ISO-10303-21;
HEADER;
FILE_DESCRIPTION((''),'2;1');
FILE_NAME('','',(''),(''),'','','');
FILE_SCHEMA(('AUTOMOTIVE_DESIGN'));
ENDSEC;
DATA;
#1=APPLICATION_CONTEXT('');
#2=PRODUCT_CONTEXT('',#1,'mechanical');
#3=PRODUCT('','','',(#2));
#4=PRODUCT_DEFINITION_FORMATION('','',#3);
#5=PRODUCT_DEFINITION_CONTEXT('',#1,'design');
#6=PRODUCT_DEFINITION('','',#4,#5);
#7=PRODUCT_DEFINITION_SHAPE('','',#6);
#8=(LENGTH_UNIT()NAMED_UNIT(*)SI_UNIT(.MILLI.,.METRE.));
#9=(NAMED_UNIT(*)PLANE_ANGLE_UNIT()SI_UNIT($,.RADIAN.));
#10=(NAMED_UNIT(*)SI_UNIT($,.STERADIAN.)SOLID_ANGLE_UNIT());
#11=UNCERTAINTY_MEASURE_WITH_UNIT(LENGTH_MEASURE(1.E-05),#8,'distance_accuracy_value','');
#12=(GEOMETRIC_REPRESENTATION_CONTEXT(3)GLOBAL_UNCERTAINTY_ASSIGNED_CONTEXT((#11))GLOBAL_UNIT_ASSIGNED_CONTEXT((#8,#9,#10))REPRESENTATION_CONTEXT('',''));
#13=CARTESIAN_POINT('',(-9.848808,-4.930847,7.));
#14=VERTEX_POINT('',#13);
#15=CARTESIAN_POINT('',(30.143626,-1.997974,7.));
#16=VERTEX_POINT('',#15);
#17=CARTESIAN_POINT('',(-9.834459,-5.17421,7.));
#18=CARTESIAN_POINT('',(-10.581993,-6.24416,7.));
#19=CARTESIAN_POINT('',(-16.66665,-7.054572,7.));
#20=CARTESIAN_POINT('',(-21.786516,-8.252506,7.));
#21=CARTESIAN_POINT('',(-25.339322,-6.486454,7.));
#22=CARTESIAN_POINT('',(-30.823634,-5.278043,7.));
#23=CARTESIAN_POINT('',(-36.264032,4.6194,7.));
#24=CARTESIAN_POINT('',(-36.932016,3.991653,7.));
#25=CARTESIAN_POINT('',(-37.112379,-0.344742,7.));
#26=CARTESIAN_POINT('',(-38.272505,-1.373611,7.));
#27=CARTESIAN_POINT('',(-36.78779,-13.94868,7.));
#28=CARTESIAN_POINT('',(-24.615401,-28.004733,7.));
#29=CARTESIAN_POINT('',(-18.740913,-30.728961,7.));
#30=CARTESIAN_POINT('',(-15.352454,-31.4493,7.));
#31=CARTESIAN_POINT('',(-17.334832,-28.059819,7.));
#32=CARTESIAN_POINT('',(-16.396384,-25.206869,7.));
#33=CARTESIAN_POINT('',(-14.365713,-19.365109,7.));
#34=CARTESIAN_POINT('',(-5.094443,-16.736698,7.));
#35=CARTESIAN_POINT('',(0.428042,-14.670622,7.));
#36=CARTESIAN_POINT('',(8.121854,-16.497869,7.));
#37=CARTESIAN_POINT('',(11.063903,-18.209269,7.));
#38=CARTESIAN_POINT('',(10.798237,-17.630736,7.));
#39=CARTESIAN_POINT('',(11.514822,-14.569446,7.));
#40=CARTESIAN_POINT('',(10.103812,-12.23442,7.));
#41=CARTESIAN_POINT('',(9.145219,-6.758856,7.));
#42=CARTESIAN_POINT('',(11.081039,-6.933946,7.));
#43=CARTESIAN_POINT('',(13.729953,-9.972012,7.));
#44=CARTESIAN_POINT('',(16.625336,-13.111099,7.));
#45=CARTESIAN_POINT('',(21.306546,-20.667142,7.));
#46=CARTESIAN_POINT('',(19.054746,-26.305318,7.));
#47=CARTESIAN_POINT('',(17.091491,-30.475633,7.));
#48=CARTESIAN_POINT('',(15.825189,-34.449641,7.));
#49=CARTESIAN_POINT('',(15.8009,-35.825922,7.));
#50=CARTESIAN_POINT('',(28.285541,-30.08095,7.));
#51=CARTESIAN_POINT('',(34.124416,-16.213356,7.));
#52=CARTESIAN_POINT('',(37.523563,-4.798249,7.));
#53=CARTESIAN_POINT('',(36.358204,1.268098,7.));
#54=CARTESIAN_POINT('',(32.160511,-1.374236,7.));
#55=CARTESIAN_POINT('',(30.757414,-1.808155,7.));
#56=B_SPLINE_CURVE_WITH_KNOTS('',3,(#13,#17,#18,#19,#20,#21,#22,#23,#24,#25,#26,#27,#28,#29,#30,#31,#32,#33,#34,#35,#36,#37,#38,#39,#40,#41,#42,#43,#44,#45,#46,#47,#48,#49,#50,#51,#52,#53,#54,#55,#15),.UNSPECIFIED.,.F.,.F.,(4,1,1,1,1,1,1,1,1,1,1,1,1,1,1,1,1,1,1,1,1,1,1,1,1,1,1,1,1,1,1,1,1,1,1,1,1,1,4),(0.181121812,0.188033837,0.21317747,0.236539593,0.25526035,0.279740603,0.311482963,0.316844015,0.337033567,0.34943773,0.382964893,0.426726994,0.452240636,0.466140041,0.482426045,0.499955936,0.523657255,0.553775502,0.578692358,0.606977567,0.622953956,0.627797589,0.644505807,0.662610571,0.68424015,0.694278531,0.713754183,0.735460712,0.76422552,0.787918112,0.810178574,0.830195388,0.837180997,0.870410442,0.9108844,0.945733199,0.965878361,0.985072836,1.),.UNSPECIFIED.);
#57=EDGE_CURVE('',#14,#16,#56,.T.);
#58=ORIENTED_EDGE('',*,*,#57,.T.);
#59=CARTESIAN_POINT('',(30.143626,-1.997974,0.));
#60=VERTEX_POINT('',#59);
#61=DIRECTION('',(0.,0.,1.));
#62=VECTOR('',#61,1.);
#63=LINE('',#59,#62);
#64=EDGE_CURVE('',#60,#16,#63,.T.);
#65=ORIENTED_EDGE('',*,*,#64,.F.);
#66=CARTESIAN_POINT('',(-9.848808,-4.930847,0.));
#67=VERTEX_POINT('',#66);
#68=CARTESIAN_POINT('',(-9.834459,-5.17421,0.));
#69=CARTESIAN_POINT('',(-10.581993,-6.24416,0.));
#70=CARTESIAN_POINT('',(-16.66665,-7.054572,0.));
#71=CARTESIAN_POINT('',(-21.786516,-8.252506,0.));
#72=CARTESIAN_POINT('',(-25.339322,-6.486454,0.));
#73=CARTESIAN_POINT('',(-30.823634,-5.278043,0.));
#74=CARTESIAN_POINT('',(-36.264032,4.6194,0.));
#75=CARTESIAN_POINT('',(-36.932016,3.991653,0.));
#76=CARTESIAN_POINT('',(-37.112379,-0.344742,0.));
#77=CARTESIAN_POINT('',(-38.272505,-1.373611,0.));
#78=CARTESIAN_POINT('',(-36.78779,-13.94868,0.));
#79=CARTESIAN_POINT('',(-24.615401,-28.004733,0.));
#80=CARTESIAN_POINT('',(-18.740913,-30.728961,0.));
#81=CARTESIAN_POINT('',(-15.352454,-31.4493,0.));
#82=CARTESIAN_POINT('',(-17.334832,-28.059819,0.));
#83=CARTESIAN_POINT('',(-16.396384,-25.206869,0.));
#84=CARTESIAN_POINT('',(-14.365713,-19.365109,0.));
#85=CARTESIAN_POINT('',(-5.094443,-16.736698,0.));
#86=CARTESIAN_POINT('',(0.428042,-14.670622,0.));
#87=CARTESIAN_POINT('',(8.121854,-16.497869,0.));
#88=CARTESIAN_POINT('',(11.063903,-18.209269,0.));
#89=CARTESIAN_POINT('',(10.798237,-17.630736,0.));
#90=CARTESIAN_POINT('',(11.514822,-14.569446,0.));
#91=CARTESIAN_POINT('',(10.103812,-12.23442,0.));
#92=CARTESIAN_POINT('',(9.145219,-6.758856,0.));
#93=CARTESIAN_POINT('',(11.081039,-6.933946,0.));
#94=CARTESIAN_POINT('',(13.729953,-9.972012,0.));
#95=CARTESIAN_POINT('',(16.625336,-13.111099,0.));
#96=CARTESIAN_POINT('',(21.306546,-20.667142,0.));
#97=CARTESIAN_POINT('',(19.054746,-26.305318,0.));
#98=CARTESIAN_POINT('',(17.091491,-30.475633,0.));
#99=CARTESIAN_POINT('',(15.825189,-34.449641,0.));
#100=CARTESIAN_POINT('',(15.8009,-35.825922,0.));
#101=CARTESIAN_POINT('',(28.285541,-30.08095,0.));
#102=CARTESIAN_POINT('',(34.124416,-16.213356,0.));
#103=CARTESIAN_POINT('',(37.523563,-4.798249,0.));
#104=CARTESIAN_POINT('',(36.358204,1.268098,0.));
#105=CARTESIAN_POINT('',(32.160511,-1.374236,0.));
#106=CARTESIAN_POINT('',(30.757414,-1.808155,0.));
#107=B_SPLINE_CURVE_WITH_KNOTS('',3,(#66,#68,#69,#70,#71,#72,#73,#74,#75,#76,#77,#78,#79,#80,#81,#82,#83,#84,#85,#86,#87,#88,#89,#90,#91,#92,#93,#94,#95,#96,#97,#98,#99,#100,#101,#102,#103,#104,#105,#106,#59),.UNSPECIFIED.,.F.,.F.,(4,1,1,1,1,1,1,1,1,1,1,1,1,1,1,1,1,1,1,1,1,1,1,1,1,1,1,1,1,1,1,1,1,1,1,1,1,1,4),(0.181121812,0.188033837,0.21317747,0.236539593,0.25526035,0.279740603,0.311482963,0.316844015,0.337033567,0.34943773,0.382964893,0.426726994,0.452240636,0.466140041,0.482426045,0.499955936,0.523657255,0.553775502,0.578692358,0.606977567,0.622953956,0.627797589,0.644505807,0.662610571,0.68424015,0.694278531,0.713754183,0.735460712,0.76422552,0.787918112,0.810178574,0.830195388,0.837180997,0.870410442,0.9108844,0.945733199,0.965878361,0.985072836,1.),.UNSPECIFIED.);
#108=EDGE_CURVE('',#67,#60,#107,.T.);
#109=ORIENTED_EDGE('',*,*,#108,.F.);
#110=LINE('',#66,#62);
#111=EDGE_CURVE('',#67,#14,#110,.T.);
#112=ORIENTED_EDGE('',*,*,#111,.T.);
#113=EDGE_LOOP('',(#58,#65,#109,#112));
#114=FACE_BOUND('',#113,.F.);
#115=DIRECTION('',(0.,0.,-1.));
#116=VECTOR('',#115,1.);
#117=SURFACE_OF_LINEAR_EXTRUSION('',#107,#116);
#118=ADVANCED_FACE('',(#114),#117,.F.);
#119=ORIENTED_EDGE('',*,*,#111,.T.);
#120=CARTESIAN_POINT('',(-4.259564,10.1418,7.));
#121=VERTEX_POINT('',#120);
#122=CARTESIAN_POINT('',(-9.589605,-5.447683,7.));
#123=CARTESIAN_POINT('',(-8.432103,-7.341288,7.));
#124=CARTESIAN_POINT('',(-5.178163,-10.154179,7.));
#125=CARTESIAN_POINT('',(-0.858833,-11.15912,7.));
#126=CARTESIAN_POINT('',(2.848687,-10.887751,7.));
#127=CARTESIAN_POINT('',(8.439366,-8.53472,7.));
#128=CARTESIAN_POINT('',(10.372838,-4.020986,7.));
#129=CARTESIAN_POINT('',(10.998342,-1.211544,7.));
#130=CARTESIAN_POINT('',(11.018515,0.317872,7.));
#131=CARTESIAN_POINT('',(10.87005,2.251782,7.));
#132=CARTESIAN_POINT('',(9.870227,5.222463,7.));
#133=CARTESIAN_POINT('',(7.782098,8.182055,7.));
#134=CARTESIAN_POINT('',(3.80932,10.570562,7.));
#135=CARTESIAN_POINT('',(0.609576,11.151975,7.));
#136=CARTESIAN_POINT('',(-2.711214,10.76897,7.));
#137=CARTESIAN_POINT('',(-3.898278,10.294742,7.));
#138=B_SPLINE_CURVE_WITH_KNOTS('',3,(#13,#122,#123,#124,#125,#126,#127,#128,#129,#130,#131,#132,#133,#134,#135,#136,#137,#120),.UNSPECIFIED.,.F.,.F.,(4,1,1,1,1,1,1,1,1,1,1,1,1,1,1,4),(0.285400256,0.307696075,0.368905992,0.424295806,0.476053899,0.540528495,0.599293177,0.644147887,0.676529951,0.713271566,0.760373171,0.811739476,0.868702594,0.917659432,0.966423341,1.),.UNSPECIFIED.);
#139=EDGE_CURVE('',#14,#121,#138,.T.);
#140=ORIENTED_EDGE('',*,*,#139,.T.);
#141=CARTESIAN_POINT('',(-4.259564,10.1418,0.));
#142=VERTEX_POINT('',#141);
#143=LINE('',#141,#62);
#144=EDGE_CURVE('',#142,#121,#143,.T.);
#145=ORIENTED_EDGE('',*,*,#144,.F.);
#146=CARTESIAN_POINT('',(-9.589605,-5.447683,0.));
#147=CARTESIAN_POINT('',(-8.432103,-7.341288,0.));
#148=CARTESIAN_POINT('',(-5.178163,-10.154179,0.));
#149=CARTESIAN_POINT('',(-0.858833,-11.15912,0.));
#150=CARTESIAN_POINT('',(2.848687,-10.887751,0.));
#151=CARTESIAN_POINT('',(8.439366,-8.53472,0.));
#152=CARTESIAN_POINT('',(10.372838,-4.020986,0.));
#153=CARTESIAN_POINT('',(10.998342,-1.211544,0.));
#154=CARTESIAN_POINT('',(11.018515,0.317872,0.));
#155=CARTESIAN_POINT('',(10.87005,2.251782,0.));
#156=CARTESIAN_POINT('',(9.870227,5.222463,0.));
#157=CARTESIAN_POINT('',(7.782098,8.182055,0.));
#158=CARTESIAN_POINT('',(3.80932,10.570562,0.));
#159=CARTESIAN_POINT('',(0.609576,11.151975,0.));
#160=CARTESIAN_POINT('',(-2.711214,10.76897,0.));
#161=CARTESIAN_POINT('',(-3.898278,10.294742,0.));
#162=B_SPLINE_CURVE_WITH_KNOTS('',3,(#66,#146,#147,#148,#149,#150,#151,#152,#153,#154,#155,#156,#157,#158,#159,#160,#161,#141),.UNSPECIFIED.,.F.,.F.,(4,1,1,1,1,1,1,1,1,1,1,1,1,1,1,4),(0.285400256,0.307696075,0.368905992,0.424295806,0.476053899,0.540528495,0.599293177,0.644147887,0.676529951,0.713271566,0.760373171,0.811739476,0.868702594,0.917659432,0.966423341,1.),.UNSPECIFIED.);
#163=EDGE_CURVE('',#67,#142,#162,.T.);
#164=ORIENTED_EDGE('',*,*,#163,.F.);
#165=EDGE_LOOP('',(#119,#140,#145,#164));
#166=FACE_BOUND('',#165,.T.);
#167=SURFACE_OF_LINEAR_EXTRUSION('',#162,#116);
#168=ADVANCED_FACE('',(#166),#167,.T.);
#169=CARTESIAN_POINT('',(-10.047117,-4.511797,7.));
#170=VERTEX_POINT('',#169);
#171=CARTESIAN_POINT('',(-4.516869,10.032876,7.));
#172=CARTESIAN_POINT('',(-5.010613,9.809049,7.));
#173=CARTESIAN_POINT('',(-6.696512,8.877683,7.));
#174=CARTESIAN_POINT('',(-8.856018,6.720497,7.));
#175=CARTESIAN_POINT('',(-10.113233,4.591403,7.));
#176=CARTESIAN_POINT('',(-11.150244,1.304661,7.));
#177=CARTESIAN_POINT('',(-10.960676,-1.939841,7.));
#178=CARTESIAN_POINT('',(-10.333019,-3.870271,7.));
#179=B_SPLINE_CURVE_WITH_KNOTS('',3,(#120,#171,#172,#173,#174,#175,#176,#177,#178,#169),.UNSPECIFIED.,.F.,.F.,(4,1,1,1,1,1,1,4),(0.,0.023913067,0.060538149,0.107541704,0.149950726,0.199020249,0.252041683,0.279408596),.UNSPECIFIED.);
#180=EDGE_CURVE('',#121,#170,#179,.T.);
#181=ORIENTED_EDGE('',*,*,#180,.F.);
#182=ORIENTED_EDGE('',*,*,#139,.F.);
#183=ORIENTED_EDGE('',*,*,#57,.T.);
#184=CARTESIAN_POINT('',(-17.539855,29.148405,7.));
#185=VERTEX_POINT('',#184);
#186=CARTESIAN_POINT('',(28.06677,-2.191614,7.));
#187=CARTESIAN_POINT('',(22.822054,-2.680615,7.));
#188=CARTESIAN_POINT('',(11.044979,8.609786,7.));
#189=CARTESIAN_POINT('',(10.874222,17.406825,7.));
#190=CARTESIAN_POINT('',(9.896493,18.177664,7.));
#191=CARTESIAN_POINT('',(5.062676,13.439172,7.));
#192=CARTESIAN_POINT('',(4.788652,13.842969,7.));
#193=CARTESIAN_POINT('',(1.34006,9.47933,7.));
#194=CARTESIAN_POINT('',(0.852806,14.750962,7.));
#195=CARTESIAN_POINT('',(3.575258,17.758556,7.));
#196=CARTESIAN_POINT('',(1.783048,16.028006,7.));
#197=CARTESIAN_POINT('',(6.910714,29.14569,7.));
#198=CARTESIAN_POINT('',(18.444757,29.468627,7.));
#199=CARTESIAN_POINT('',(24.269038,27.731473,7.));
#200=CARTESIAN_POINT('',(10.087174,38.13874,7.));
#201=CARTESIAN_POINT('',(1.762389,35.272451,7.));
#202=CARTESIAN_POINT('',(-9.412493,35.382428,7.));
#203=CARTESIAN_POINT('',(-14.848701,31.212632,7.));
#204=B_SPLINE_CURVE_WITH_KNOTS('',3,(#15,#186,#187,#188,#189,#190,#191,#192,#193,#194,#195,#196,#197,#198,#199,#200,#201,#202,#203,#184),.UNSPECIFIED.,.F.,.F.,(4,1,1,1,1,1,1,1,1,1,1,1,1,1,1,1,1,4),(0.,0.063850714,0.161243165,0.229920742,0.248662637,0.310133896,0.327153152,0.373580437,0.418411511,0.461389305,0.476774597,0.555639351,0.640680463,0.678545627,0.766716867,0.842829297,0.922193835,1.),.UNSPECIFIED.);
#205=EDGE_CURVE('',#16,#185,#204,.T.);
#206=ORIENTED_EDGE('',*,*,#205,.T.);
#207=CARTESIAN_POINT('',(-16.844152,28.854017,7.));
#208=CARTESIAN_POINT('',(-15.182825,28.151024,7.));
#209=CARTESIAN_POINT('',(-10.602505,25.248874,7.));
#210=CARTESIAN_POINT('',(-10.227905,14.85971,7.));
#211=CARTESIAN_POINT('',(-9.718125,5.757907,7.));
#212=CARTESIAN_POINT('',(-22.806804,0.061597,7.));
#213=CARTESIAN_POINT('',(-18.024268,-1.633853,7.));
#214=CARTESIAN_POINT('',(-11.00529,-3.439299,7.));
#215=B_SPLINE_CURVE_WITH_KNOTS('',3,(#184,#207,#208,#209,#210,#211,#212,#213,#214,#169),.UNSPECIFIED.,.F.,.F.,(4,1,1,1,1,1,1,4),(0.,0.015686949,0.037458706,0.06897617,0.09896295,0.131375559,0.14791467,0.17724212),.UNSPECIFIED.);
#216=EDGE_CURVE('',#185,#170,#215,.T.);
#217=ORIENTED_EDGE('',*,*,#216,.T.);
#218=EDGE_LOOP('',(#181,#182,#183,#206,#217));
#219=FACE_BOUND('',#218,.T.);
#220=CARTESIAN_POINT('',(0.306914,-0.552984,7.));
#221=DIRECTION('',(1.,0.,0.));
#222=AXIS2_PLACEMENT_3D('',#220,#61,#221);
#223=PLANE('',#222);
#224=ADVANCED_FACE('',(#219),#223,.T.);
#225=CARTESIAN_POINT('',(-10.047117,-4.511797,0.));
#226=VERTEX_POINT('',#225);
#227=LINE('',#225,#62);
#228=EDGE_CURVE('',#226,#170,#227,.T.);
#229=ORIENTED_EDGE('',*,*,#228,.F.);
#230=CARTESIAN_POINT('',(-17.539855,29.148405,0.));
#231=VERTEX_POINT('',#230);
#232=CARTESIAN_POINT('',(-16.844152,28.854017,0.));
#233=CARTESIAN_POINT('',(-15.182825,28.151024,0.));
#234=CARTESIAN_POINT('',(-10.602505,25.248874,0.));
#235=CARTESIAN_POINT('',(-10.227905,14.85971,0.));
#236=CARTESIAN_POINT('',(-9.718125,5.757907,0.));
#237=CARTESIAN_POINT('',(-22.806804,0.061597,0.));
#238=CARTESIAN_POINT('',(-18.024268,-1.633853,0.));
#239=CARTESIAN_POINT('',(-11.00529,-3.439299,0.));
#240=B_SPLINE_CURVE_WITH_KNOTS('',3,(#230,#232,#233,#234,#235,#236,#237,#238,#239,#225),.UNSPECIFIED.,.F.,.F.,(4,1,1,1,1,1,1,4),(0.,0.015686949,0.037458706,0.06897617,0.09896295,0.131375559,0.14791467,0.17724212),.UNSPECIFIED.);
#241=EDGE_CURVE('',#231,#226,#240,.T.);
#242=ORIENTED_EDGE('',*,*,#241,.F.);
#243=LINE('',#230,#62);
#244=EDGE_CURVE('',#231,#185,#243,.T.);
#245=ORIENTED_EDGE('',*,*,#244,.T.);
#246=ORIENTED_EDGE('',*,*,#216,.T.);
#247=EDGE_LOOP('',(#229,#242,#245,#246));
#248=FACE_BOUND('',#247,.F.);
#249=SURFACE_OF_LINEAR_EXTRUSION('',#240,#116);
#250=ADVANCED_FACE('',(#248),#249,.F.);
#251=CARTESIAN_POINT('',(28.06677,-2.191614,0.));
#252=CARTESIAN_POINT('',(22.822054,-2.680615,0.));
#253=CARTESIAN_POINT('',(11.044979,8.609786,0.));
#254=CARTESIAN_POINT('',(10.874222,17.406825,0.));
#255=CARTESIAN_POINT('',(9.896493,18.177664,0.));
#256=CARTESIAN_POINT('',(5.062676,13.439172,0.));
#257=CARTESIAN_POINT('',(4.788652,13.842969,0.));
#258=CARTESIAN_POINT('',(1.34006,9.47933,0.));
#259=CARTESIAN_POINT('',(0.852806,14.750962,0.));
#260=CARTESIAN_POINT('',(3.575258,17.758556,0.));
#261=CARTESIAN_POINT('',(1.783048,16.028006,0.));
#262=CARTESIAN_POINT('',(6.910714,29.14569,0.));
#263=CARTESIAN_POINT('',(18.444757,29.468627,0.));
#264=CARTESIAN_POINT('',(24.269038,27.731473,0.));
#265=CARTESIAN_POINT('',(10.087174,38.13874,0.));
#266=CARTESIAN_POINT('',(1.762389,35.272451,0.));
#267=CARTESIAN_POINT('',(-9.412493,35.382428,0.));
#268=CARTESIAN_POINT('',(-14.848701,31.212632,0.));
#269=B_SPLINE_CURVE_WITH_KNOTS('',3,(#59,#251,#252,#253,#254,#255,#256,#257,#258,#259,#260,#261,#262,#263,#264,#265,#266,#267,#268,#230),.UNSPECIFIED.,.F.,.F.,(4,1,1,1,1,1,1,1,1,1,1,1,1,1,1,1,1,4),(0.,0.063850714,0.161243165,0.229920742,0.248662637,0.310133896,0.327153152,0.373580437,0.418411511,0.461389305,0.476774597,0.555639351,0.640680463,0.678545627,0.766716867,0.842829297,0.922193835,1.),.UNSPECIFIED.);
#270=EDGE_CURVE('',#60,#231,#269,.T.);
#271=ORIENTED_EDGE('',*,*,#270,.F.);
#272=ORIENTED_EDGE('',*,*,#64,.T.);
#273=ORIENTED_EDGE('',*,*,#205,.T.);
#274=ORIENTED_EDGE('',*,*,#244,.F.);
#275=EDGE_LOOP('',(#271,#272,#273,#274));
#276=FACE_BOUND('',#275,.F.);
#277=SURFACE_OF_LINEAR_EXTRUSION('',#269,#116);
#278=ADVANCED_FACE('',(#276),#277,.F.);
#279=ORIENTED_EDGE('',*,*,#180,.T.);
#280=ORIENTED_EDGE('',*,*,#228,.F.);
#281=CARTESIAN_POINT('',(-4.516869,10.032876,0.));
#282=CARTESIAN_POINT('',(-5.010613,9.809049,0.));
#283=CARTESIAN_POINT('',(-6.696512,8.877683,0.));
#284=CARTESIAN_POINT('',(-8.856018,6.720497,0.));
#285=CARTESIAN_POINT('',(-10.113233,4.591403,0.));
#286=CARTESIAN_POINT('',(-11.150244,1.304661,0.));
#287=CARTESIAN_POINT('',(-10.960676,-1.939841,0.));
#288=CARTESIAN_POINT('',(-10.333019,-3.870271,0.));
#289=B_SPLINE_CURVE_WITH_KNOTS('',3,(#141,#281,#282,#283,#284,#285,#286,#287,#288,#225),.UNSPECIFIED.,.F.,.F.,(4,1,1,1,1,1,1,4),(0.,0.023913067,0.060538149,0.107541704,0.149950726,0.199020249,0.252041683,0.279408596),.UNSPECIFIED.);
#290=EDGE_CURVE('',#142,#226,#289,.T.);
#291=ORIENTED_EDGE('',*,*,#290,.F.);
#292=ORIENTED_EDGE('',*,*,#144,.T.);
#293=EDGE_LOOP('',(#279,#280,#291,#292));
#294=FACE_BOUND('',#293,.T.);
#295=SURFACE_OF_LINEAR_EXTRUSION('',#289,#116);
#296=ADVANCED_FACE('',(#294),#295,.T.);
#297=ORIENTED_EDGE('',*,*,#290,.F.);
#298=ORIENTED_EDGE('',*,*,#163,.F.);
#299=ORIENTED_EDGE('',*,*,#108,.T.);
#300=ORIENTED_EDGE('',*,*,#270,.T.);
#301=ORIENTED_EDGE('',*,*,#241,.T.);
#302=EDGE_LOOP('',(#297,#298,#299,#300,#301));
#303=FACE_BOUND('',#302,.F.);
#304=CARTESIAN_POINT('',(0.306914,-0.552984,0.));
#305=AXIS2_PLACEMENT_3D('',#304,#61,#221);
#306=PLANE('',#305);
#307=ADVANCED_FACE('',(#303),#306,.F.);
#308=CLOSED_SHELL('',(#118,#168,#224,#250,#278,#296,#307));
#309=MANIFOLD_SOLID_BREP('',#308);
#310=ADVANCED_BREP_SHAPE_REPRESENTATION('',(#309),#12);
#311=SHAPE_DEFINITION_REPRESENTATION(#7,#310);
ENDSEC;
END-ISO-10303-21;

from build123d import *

# Parameters (mm, degrees)
F1_DEPTH = 7


with BuildPart() as f1:
    # F0 (on Top) → F1 (new body)
    with BuildSketch(Plane.XY):
        with BuildLine():
            add(Edge.make_bspline(
                [(30.1436260343, -1.9979744684), (28.0667697769, -2.191613933), (22.8220535576, -2.6806145737), (11.0449788488, 8.609786166), (10.8742217324, 17.4068247294), (9.8964928061, 18.1776643585), (5.0626755886, 13.4391724308), (4.7886523315, 13.8429691805), (1.3400601593, 9.4793296064), (0.8528062891, 14.7509618773), (3.5752579887, 17.7585561992), (1.7830482908, 16.0280061471), (6.9107141222, 29.1456903116), (18.4447573551, 29.4686274141), (24.2690384891, 27.7314734703), (10.0871743704, 38.1387404234), (1.7623891613, 35.2724508505), (-9.4124925515, 35.3824284219), (-14.8487011951, 31.212631693), (-17.5398550928, 29.1484054178)],
                knots=[0, 0, 0, 0, 0.0638507143, 0.1612431654, 0.2299207421, 0.2486626367, 0.3101338961, 0.3271531519, 0.3735804369, 0.4184115109, 0.4613893046, 0.4767745969, 0.5556393513, 0.6406804626, 0.6785456269, 0.7667168672, 0.8428292973, 0.9221938345, 1, 1, 1, 1], degree=3))
            add(Edge.make_bspline(
                [(-17.5398550928, 29.1484054178), (-16.8441519048, 28.8540168638), (-15.1828249089, 28.151023632), (-10.6025045211, 25.2488740166), (-10.2279046237, 14.8597097375), (-9.7181247173, 5.7579070911), (-22.80680378, 0.0615974192), (-18.024268163, -1.6338530814), (-11.0052895238, -3.4392992796), (-10.0471170164, -4.511796836)],
                knots=[0, 0, 0, 0, 0.0156869486, 0.0374587064, 0.0689761696, 0.0989629496, 0.1313755587, 0.1479146703, 0.1772421204, 0.1772421204, 0.1772421204, 0.1772421204], degree=3))
            add(Edge.make_bspline(
                [(-4.2595637944, 10.1418004457), (-4.5168692508, 10.0328762257), (-5.0106133978, 9.80904899), (-6.6965124035, 8.8776825711), (-8.8560177564, 6.7204972682), (-10.1132327074, 4.591403041), (-11.15024355, 1.304661145), (-10.9606761971, -1.9398408158), (-10.3330192793, -3.8702705307), (-10.0471170164, -4.511796836)],
                knots=[0, 0, 0, 0, 0.023913067, 0.0605381495, 0.1075417035, 0.1499507257, 0.1990202493, 0.2520416834, 0.2794085957, 0.2794085957, 0.2794085957, 0.2794085957], degree=3))
            add(Edge.make_bspline(
                [(-9.848808223, -4.9308472009), (-9.5896051241, -5.4476830294), (-8.4321033508, -7.3412879808), (-5.178162929, -10.1541794124), (-0.8588325873, -11.1591197516), (2.8486870946, -10.8877513352), (8.4393664165, -8.534719832), (10.3728376575, -4.0209857701), (10.9983422062, -1.2115441005), (11.0185148637, 0.3178718051), (10.8700503098, 2.2517822043), (9.8702269678, 5.2224630011), (7.7820982909, 8.1820552207), (3.809320163, 10.5705624639), (0.6095762466, 11.1519748636), (-2.7112138521, 10.7689696462), (-3.8982777472, 10.2947424061), (-4.2595637944, 10.1418004457)],
                knots=[0.2854002564, 0.2854002564, 0.2854002564, 0.2854002564, 0.3076960747, 0.3689059917, 0.4242958055, 0.4760538993, 0.5405284954, 0.5992931768, 0.6441478868, 0.6765299515, 0.7132715658, 0.760373171, 0.8117394763, 0.8687025936, 0.9176594324, 0.9664233415, 1, 1, 1, 1], degree=3))
            add(Edge.make_bspline(
                [(-9.848808223, -4.9308472009), (-9.834459086, -5.1742095338), (-10.5819931226, -6.2441600124), (-16.666649836, -7.0545720784), (-21.786516336, -8.25250589), (-25.3393218518, -6.4864543494), (-30.8236341585, -5.2780425141), (-36.2640319033, 4.6193999546), (-36.932016102, 3.9916530336), (-37.1123785404, -0.3447419636), (-38.2725049552, -1.3736110151), (-36.7877903398, -13.94867989), (-24.6154012288, -28.0047326132), (-18.7409134043, -30.7289609682), (-15.3524539412, -31.4493001556), (-17.3348321744, -28.0598189091), (-16.3963844057, -25.2068687109), (-14.3657128871, -19.3651091876), (-5.0944427735, -16.7366978796), (0.4280418437, -14.6706217136), (8.1218538286, -16.4978687936), (11.0639032359, -18.2092694078), (10.7982368807, -17.6307360666), (11.5148219838, -14.5694460005), (10.1038115484, -12.2344198639), (9.1452193025, -6.7588560295), (11.0810385684, -6.9339457025), (13.7299527718, -9.9720124339), (16.6253358559, -13.111099033), (21.3065463573, -20.6671417725), (19.0547463203, -26.3053178363), (17.0914911059, -30.4756327512), (15.8251889145, -34.449641093), (15.8009003608, -35.8259221055), (28.2855405969, -30.0809497585), (34.1244161163, -16.2133557272), (37.5235628789, -4.7982486055), (36.3582043486, 1.2680975906), (32.1605108718, -1.3742357057), (30.7574141456, -1.8081552829), (30.1436260343, -1.9979744684)],
                knots=[0.1811218122, 0.1811218122, 0.1811218122, 0.1811218122, 0.1880338369, 0.2131774704, 0.2365395932, 0.2552603501, 0.2797406029, 0.3114829631, 0.316844015, 0.3370335674, 0.3494377303, 0.3829648932, 0.4267269943, 0.4522406356, 0.466140041, 0.4824260451, 0.4999559361, 0.5236572553, 0.5537755025, 0.5786923581, 0.6069775668, 0.6229539564, 0.6277975887, 0.644505807, 0.6626105714, 0.6842401503, 0.6942785308, 0.7137541835, 0.7354607117, 0.76422552, 0.7879181122, 0.8101785739, 0.8301953878, 0.837180997, 0.8704104423, 0.9108844, 0.9457331988, 0.9658783611, 0.9850728355, 1, 1, 1, 1], degree=3))
        make_face()
    extrude(amount=F1_DEPTH)


solid = f1.part
